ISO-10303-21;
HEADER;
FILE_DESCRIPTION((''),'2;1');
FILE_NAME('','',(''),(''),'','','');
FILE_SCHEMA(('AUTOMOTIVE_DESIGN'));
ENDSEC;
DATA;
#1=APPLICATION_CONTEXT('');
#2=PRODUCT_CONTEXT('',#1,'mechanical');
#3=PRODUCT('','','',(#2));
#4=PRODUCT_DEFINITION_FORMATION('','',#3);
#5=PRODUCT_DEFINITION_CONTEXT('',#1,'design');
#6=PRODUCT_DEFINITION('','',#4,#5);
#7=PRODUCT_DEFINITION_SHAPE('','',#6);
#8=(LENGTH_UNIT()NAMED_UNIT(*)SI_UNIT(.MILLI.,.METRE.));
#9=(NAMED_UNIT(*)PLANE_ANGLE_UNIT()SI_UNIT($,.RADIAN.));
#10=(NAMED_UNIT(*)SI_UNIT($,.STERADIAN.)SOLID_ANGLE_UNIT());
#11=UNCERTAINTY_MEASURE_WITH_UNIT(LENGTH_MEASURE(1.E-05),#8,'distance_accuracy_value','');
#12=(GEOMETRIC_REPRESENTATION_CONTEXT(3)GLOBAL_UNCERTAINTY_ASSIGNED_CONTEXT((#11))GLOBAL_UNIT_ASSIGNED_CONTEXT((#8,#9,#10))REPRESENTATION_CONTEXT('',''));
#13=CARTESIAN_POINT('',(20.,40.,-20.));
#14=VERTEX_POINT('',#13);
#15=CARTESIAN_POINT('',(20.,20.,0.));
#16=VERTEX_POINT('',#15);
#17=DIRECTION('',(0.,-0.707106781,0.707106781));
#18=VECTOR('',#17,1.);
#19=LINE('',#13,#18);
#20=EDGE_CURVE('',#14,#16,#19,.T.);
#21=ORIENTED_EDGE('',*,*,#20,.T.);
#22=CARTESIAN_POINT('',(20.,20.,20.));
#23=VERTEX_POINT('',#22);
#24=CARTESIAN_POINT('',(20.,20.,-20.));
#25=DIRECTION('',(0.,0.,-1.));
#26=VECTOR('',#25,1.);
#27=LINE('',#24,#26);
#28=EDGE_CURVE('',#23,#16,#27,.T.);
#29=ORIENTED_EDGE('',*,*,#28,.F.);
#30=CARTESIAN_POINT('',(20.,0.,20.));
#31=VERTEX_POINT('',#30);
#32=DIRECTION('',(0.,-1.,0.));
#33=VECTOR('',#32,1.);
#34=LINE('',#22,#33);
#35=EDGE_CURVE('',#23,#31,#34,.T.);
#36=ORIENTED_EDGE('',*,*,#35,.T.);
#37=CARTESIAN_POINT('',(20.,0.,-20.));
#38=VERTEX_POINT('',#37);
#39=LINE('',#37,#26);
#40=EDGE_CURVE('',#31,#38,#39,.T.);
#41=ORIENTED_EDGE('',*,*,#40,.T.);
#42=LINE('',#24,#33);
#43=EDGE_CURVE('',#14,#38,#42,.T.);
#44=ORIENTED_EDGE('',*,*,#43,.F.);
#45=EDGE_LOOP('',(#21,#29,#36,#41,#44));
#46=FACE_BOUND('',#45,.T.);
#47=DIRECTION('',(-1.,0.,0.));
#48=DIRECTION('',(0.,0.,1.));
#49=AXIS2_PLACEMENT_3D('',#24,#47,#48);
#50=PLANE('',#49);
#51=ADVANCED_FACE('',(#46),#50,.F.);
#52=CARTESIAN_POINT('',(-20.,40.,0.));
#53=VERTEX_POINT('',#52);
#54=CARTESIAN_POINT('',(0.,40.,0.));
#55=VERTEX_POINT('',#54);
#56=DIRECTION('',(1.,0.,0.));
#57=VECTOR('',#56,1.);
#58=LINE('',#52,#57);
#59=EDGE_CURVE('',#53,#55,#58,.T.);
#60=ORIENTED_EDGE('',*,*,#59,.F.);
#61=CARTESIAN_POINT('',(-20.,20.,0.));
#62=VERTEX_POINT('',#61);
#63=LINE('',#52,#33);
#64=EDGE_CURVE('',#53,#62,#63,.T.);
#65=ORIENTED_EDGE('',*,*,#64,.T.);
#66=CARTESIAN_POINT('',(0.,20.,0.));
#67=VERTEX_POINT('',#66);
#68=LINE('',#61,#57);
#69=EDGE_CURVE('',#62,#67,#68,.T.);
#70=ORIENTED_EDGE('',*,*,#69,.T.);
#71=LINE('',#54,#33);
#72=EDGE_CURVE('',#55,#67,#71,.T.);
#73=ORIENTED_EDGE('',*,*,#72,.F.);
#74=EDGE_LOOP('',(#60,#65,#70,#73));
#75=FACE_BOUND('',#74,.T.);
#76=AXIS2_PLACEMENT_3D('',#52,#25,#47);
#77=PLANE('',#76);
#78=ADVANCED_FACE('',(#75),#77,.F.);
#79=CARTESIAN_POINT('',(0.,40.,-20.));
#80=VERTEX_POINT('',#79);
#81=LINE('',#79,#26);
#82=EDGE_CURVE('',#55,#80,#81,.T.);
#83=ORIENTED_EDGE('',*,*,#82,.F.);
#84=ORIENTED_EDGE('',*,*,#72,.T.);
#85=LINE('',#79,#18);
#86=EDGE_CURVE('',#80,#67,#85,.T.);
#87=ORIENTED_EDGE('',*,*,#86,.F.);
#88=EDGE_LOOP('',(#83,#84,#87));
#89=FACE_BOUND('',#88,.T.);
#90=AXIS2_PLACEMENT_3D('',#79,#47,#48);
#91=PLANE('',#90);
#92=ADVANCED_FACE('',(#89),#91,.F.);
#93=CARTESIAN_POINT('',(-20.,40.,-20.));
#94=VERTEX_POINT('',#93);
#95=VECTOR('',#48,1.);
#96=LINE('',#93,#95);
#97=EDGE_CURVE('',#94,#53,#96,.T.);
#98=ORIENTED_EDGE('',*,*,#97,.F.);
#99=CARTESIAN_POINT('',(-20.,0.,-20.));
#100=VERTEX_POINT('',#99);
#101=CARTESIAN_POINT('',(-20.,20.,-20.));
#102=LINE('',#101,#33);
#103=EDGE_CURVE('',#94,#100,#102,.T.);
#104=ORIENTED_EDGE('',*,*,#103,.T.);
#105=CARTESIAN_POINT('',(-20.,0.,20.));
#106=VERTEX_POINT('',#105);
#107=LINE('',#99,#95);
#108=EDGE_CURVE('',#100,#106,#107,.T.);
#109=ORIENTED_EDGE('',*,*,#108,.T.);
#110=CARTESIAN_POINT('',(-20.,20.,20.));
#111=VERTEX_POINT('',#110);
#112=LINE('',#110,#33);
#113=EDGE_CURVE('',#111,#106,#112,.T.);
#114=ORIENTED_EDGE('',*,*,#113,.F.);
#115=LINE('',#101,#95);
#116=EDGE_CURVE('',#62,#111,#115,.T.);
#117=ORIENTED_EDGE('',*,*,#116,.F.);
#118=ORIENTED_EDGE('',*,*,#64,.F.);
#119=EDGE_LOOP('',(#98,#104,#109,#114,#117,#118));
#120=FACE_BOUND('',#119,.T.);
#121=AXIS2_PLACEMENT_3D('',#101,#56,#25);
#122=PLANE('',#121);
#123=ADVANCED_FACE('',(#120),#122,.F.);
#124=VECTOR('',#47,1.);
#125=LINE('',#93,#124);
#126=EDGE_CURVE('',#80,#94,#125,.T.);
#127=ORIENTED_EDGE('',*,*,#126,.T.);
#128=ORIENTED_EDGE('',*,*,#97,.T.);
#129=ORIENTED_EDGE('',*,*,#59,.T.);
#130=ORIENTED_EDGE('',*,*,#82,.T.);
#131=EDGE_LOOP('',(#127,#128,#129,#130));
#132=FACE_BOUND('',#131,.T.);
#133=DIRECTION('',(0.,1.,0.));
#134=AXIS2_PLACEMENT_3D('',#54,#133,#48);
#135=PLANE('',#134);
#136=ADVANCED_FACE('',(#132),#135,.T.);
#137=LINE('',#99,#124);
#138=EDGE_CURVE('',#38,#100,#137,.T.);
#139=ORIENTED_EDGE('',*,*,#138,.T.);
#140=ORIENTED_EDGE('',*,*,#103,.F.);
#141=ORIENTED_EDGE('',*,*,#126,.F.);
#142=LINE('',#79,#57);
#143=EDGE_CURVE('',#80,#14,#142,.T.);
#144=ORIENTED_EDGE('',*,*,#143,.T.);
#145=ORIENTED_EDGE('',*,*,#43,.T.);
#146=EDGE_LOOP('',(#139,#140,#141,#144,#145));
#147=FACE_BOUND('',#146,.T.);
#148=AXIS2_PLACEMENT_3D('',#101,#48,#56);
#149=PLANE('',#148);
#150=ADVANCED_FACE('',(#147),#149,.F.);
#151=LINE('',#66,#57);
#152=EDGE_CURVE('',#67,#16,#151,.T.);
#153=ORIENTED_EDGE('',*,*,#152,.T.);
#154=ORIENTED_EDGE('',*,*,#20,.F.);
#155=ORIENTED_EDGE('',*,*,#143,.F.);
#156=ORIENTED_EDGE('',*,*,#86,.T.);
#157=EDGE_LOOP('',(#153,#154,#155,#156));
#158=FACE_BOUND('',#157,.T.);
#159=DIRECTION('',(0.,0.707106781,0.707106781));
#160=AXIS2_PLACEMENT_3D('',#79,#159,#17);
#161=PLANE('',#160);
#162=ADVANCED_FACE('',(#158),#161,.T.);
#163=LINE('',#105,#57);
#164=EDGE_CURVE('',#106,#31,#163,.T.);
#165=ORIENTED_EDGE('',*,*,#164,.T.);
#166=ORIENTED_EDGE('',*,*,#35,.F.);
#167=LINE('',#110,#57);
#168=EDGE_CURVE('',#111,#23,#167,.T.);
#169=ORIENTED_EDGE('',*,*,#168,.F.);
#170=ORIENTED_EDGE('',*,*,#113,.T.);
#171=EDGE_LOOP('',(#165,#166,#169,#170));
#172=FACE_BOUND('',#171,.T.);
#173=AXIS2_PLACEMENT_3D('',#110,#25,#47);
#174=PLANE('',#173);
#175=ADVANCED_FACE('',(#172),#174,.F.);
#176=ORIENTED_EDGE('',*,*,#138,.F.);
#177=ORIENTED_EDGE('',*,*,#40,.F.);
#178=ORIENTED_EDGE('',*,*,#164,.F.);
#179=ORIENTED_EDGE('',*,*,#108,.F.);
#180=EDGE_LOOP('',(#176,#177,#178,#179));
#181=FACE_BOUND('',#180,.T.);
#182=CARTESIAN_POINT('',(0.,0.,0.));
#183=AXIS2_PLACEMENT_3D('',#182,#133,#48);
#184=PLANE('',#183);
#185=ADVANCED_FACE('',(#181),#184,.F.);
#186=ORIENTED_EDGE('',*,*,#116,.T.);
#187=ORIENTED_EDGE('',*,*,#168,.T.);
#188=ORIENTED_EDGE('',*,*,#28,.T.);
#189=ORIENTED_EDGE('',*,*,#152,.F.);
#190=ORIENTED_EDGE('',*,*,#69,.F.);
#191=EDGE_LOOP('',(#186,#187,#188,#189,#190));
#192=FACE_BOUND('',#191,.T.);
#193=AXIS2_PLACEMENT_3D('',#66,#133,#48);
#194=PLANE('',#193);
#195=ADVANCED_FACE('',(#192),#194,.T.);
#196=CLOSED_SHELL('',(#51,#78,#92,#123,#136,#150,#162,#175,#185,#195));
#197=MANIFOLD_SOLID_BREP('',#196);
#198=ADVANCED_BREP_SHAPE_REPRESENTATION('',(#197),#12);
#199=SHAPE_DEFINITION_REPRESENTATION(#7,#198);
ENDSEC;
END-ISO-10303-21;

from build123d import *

# Parameters (mm, degrees)
CROQUIS1_W              = 40
CROQUIS1_H              = 40
SALIENTE_EXTRUIR1_DEPTH = 20
CROQUIS2_W              = 20
CROQUIS2_H              = 20
SALIENTE_EXTRUIR2_DEPTH = 20
SALIENTE_EXTRUIR3_DEPTH = 20


with BuildPart() as part:
    # Croquis1 → Saliente-Extruir1 (new body)
    with BuildSketch(Plane(origin=(0, 0, 0), x_dir=(1, 0, 0), z_dir=(0, 1, 0))):
        Rectangle(CROQUIS1_W, CROQUIS1_H)
    extrude(amount=SALIENTE_EXTRUIR1_DEPTH)

    # Croquis2 → Saliente-Extruir2 (add)
    with BuildSketch(Plane(origin=(0, 20, 0), x_dir=(1, 0, 0), z_dir=(0, 1, 0))):
        with Locations((-10, 10)):
            Rectangle(CROQUIS2_W, CROQUIS2_H)
    extrude(amount=SALIENTE_EXTRUIR2_DEPTH)

    # Croquis3 → Saliente-Extruir3 (add)
    with BuildSketch(Plane(origin=(20, 0, 0), x_dir=(0, 0, -1), z_dir=(1, 0, 0))):
        Polygon((20, 20), (20, 40), (0, 20), align=None)
    extrude(amount=-SALIENTE_EXTRUIR3_DEPTH)


solid = part.part
